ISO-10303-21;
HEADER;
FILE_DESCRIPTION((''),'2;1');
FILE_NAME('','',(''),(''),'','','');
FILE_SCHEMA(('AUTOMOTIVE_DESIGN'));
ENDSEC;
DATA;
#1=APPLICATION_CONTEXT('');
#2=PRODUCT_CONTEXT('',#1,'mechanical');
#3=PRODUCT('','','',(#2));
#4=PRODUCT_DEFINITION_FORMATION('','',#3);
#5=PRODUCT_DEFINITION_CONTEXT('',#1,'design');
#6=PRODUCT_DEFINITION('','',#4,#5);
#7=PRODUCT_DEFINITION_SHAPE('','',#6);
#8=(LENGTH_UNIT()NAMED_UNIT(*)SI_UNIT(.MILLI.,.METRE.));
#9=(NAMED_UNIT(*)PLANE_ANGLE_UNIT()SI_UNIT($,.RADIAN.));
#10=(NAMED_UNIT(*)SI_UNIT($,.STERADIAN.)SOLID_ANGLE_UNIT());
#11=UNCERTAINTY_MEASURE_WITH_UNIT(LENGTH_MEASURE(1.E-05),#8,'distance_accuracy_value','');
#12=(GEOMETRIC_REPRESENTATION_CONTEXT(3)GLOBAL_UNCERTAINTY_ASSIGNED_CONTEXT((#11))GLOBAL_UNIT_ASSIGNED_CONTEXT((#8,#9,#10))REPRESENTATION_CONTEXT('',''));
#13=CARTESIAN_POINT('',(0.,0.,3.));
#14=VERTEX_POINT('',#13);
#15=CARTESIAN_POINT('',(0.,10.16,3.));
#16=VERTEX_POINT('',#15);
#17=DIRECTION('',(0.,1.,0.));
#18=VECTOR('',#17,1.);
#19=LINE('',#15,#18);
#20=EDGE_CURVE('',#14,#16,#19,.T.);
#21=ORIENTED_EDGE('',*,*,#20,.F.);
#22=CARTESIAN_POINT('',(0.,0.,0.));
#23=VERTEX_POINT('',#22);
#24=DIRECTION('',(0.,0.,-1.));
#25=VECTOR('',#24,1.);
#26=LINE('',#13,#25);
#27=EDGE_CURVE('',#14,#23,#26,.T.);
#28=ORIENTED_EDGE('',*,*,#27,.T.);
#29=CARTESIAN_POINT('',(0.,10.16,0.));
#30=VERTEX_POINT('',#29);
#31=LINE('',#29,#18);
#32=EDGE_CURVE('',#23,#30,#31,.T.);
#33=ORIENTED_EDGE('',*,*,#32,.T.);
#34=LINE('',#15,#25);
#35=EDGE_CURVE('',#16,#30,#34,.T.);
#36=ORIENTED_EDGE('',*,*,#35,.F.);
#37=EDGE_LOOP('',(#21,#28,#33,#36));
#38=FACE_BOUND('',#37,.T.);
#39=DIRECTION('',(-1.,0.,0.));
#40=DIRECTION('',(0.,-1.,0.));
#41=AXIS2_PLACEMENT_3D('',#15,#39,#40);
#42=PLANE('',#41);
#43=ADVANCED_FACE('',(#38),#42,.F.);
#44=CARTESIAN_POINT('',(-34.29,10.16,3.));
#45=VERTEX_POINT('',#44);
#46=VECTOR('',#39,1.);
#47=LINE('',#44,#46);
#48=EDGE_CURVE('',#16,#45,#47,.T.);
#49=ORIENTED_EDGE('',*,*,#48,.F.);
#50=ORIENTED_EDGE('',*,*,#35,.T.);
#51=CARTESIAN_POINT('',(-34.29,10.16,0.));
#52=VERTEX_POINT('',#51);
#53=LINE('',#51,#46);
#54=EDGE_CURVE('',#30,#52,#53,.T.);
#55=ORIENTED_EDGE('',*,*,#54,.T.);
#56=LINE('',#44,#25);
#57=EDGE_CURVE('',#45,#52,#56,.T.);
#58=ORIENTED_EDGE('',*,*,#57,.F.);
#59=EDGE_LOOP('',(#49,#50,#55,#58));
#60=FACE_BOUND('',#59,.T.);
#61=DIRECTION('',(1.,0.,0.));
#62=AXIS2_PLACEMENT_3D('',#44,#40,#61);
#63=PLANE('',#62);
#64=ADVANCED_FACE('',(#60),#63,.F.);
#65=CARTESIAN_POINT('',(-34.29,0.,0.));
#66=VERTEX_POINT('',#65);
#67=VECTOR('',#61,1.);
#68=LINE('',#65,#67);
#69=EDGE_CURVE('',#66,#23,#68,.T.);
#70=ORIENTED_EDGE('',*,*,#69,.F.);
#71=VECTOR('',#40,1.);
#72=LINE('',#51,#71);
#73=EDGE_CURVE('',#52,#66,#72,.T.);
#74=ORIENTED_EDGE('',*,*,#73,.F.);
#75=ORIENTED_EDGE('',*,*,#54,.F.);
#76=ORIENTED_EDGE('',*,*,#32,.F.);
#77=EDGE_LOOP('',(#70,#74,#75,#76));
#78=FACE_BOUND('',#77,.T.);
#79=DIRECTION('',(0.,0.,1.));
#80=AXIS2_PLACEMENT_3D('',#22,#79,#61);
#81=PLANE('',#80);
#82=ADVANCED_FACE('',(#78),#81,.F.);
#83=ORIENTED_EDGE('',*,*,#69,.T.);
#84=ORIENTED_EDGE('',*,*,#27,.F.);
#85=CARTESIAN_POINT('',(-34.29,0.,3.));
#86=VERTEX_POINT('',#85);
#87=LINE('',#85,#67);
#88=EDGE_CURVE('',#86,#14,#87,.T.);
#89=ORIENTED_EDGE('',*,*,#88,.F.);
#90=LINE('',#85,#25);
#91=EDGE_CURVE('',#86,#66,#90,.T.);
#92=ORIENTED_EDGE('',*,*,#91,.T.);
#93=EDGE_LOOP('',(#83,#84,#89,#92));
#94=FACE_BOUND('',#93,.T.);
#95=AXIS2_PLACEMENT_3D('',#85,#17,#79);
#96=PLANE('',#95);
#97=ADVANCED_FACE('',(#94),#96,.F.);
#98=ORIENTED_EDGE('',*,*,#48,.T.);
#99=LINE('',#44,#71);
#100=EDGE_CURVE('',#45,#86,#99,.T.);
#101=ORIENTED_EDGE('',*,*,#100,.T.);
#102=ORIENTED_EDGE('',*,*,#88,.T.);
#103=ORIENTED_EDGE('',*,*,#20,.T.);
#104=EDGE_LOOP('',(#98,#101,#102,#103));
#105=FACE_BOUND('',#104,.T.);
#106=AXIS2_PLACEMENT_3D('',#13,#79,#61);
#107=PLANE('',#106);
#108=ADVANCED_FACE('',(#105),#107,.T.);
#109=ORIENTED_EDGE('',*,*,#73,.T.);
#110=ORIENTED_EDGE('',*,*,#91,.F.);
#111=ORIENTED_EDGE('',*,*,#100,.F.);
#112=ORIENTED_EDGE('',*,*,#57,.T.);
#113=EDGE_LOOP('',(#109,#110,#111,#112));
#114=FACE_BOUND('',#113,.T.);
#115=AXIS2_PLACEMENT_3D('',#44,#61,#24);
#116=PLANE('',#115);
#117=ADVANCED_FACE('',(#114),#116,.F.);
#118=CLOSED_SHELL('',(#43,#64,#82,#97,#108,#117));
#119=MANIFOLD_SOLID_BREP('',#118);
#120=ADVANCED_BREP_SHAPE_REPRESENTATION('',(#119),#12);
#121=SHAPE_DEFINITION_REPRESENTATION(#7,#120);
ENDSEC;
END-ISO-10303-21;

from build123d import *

# Parameters (mm, degrees)
SKETCH1_W           = 34.29
SKETCH1_H           = 10.16
BOSS_EXTRUDE1_DEPTH = 3


with BuildPart() as part:
    # Sketch1 → Boss-Extrude1 (new body)
    with BuildSketch(Plane.XY):
        with Locations((-17.145, 5.08)):
            Rectangle(SKETCH1_W, SKETCH1_H)
    extrude(amount=BOSS_EXTRUDE1_DEPTH)


solid = part.part
